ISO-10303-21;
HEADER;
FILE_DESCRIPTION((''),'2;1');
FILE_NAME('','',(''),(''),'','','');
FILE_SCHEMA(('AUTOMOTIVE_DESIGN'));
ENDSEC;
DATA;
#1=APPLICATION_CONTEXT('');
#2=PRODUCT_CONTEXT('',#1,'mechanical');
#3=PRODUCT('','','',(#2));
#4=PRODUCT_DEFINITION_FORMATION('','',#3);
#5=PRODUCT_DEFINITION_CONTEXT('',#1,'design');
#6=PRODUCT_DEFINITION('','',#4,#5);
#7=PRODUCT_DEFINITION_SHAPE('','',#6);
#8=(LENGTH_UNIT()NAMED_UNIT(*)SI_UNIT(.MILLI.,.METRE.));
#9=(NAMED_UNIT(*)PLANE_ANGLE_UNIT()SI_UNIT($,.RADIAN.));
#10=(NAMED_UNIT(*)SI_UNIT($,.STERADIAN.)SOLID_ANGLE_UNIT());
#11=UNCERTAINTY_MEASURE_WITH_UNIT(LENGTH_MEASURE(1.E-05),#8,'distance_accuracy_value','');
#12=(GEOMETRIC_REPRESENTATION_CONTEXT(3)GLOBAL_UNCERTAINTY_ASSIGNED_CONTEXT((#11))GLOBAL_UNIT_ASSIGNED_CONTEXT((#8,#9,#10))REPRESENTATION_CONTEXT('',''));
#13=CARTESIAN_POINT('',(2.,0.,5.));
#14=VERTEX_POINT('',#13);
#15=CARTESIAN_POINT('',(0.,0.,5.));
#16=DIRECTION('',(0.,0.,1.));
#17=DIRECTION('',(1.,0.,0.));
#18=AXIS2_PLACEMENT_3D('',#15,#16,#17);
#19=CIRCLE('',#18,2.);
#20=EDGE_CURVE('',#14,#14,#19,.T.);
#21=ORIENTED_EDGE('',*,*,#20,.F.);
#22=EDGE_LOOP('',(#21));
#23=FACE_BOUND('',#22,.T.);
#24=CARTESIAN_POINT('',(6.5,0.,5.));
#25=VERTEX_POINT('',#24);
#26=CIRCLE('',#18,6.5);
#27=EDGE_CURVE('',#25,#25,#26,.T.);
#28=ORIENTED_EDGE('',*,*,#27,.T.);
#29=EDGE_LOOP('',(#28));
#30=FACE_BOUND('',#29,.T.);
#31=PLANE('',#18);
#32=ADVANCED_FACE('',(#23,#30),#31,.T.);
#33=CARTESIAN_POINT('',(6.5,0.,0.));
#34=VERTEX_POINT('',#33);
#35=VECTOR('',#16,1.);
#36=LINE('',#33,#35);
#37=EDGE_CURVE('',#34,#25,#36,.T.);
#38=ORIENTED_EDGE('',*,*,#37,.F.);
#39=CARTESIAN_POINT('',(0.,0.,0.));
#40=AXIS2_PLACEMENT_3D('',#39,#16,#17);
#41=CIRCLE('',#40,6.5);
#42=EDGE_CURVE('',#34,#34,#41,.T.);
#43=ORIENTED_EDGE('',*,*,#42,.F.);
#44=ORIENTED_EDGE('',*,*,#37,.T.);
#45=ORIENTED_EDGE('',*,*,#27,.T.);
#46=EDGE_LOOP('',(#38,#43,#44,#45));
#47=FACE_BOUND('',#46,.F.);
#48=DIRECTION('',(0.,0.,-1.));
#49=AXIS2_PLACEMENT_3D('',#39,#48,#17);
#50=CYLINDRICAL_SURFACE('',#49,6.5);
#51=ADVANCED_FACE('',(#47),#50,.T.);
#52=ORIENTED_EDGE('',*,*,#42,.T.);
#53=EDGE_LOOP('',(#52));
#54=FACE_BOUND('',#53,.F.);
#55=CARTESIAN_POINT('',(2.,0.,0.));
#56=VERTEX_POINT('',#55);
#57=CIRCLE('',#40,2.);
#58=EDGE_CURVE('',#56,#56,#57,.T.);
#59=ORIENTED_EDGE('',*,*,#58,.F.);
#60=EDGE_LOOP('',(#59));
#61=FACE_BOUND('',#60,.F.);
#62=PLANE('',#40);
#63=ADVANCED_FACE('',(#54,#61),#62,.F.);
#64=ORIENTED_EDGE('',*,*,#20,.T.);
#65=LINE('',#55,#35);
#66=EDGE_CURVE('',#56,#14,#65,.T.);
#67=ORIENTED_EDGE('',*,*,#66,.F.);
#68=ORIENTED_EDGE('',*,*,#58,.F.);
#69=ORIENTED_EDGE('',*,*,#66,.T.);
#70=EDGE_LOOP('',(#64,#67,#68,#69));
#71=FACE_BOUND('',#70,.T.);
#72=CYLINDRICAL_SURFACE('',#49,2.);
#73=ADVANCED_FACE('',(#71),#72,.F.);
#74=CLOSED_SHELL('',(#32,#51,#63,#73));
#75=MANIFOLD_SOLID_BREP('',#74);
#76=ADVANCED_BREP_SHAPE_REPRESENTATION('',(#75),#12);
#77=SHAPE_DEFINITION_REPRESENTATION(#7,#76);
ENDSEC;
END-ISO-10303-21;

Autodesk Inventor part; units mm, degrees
ref_plane "YZ Plane" through (0, 0, 0) normal (1, 0, 0) x (0, 1, 0)
ref_plane "XZ Plane" through (0, 0, 0) normal (0, 1, 0) x (-1, 0, 0)
ref_plane "XY Plane" through (0, 0, 0) normal (0, 0, 1) x (1, 0, 0)
sketch "Sketch1" plane through (0, 0, 0) normal (0, 0, 1) x (1, 0, 0)
  circle A0 centre (0, 0) radius 2
  circle A1 centre (0, 0) radius 6.5
  dimension "d0" = 13
  dimension "d2" = 4
extrude "Extrusion1" add sketch "Sketch1" along normal blind 5
properties part number "695ZZ_bearing"
